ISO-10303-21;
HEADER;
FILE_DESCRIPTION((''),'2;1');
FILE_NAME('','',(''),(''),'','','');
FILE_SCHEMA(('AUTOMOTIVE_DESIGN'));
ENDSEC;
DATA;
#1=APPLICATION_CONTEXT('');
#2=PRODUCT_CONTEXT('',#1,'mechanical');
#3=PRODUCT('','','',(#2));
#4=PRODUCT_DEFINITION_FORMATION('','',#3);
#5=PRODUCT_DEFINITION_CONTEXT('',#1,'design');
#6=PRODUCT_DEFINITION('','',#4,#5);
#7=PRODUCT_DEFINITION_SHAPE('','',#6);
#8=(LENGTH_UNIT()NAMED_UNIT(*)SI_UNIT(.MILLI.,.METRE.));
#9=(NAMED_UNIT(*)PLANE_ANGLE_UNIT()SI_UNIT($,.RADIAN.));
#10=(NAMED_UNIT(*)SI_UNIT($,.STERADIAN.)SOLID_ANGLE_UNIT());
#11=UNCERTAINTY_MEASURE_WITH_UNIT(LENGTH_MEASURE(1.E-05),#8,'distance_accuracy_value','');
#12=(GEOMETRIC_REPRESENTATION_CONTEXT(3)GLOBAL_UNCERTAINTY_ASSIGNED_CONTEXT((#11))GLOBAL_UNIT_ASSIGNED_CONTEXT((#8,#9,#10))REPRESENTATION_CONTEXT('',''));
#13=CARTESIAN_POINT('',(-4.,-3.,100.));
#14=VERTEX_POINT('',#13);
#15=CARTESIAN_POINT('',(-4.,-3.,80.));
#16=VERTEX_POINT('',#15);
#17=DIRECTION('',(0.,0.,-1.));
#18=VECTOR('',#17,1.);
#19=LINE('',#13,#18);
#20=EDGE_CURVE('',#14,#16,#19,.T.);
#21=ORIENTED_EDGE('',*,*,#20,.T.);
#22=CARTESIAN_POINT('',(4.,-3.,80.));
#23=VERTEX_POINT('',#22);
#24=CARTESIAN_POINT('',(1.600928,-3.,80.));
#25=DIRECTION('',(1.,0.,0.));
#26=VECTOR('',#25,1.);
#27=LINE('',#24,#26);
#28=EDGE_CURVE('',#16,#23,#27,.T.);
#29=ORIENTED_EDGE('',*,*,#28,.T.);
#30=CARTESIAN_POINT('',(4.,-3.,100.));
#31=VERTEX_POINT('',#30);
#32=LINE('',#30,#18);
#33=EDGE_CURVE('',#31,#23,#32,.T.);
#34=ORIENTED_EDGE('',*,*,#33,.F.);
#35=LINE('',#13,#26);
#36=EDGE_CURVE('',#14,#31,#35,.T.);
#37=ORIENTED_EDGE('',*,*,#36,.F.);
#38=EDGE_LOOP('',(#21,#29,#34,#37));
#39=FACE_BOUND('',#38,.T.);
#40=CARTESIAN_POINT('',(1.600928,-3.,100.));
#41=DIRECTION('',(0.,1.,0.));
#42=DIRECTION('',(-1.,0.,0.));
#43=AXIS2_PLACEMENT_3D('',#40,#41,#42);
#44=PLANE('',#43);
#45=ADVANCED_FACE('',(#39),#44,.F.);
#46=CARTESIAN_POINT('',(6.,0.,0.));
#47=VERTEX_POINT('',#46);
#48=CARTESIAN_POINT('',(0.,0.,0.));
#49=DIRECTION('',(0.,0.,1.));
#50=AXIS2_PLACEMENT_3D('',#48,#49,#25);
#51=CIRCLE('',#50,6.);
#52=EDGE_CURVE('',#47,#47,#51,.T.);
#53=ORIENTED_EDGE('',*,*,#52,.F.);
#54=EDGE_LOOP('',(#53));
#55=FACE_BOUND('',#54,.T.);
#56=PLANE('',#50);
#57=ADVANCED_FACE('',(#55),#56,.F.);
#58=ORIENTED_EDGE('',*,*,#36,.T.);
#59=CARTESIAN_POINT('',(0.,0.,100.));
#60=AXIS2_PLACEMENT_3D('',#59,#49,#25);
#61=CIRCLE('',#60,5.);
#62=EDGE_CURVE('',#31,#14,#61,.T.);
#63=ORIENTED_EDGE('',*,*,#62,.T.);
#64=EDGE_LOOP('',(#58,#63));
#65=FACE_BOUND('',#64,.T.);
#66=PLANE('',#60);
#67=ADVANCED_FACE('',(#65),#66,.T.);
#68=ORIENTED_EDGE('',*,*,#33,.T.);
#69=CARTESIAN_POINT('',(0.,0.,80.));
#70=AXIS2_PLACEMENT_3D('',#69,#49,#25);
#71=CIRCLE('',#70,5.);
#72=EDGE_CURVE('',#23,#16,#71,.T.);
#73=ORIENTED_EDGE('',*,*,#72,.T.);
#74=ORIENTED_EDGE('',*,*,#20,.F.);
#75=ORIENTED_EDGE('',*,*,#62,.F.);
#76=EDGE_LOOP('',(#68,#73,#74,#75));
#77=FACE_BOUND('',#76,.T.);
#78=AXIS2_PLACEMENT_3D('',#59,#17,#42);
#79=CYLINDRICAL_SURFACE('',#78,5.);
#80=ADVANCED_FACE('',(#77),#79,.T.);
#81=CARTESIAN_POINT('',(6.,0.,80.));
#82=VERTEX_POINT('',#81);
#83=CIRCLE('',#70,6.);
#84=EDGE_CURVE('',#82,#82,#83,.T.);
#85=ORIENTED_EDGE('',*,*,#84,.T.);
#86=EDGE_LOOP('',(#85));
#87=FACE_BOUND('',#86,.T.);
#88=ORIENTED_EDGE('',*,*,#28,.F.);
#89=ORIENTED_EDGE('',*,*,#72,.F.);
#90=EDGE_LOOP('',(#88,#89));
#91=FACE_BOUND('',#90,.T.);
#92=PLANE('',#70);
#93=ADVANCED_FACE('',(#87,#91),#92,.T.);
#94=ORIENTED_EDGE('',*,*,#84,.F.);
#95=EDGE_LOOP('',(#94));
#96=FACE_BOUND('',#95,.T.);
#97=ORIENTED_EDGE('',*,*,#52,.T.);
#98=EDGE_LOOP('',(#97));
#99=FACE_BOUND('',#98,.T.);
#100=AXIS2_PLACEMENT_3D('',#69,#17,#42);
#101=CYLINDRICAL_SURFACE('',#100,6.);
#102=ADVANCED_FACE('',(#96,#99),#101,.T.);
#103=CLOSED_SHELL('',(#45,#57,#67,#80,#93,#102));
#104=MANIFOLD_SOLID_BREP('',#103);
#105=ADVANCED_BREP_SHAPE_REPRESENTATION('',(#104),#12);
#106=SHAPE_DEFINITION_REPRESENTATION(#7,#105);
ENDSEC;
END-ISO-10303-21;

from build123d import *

# Parameters (mm, degrees)
SKETCH1_R           = 6
BOSS_EXTRUDE1_DEPTH = 80
BOSS_EXTRUDE2_DEPTH = 20


with BuildPart() as part:
    # Sketch1 → Boss-Extrude1 (new body)
    with BuildSketch(Plane.XY):
        Circle(SKETCH1_R)
    extrude(amount=BOSS_EXTRUDE1_DEPTH)

    # Sketch2 → Boss-Extrude2 (add)
    with BuildSketch(Plane.XY.offset(80)):
        with BuildLine():
            Line((-4, -3), (1.600927796, -3))
            Line((1.600927796, -3), (4, -3))
            ThreePointArc((4, -3), (0, 5), (-4, -3))
        make_face()
    extrude(amount=BOSS_EXTRUDE2_DEPTH)


solid = part.part
